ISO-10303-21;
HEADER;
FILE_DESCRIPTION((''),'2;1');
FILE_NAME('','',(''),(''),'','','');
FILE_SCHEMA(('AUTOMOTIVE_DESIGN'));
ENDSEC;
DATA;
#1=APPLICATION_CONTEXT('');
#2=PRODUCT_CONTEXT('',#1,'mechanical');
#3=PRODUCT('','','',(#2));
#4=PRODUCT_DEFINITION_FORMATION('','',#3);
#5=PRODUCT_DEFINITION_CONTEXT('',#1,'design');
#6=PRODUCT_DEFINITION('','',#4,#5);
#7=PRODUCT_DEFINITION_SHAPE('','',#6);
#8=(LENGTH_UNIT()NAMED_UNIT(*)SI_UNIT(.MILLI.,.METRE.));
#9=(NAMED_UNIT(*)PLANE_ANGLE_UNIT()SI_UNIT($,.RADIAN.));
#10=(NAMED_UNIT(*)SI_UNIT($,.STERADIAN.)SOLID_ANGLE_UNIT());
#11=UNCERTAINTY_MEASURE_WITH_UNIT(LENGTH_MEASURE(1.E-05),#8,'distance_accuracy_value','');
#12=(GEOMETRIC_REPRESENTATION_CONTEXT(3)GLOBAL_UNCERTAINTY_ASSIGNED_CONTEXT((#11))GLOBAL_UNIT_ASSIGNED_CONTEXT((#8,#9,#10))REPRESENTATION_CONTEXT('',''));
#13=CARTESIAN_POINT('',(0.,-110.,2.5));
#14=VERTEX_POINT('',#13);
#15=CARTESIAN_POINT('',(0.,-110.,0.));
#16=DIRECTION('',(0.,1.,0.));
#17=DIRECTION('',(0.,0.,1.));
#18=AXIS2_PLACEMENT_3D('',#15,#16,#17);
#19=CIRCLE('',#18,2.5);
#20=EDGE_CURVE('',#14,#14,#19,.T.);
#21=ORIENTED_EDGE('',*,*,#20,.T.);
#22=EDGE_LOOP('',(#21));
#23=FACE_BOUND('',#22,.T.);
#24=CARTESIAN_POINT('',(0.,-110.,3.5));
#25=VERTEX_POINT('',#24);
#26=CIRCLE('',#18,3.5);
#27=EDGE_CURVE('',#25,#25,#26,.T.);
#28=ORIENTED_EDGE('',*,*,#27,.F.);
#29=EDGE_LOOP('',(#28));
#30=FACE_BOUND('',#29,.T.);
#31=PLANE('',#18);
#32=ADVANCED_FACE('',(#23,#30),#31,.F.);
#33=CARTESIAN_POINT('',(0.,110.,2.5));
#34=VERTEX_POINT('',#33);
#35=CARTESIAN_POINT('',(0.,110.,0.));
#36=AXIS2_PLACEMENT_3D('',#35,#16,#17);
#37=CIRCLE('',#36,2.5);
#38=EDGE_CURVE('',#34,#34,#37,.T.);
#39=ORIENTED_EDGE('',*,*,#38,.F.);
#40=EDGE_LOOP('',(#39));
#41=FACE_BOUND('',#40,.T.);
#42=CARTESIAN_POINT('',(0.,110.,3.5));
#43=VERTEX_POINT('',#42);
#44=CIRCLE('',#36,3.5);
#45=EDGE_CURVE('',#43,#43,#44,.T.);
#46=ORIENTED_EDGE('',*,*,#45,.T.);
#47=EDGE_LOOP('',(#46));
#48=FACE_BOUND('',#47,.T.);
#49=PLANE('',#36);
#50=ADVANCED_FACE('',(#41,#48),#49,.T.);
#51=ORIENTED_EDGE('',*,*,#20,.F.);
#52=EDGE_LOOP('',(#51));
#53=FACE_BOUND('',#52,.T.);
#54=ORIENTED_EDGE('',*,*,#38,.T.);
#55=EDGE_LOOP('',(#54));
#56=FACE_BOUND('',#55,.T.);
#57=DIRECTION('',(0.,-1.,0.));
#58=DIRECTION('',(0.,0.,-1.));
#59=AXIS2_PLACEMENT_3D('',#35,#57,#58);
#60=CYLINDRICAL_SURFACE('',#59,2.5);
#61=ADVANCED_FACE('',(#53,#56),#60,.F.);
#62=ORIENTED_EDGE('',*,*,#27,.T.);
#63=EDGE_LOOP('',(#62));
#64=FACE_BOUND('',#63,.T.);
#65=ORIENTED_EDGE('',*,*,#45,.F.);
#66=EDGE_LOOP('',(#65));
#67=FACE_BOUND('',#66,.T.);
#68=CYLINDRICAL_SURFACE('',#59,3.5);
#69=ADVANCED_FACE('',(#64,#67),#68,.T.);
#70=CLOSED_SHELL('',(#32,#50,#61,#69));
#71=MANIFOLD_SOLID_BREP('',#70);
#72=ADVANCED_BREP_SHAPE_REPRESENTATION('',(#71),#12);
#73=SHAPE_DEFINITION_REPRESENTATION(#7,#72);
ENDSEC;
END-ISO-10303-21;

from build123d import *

# Parameters (mm, degrees)
SKETCH1_R           = 3.5
SKETCH1_R_2         = 2.5
BOSS_EXTRUDE1_DEPTH = 110


with BuildPart() as part:
    # Sketch1 → Boss-Extrude1 (new body, symmetric)
    with BuildSketch(Plane(origin=(0, 0, 0), x_dir=(1, 0, 0), z_dir=(0, 1, 0))):
        Circle(SKETCH1_R)
        Circle(SKETCH1_R_2, mode=Mode.SUBTRACT)
    extrude(amount=BOSS_EXTRUDE1_DEPTH, both=True)


solid = part.part
